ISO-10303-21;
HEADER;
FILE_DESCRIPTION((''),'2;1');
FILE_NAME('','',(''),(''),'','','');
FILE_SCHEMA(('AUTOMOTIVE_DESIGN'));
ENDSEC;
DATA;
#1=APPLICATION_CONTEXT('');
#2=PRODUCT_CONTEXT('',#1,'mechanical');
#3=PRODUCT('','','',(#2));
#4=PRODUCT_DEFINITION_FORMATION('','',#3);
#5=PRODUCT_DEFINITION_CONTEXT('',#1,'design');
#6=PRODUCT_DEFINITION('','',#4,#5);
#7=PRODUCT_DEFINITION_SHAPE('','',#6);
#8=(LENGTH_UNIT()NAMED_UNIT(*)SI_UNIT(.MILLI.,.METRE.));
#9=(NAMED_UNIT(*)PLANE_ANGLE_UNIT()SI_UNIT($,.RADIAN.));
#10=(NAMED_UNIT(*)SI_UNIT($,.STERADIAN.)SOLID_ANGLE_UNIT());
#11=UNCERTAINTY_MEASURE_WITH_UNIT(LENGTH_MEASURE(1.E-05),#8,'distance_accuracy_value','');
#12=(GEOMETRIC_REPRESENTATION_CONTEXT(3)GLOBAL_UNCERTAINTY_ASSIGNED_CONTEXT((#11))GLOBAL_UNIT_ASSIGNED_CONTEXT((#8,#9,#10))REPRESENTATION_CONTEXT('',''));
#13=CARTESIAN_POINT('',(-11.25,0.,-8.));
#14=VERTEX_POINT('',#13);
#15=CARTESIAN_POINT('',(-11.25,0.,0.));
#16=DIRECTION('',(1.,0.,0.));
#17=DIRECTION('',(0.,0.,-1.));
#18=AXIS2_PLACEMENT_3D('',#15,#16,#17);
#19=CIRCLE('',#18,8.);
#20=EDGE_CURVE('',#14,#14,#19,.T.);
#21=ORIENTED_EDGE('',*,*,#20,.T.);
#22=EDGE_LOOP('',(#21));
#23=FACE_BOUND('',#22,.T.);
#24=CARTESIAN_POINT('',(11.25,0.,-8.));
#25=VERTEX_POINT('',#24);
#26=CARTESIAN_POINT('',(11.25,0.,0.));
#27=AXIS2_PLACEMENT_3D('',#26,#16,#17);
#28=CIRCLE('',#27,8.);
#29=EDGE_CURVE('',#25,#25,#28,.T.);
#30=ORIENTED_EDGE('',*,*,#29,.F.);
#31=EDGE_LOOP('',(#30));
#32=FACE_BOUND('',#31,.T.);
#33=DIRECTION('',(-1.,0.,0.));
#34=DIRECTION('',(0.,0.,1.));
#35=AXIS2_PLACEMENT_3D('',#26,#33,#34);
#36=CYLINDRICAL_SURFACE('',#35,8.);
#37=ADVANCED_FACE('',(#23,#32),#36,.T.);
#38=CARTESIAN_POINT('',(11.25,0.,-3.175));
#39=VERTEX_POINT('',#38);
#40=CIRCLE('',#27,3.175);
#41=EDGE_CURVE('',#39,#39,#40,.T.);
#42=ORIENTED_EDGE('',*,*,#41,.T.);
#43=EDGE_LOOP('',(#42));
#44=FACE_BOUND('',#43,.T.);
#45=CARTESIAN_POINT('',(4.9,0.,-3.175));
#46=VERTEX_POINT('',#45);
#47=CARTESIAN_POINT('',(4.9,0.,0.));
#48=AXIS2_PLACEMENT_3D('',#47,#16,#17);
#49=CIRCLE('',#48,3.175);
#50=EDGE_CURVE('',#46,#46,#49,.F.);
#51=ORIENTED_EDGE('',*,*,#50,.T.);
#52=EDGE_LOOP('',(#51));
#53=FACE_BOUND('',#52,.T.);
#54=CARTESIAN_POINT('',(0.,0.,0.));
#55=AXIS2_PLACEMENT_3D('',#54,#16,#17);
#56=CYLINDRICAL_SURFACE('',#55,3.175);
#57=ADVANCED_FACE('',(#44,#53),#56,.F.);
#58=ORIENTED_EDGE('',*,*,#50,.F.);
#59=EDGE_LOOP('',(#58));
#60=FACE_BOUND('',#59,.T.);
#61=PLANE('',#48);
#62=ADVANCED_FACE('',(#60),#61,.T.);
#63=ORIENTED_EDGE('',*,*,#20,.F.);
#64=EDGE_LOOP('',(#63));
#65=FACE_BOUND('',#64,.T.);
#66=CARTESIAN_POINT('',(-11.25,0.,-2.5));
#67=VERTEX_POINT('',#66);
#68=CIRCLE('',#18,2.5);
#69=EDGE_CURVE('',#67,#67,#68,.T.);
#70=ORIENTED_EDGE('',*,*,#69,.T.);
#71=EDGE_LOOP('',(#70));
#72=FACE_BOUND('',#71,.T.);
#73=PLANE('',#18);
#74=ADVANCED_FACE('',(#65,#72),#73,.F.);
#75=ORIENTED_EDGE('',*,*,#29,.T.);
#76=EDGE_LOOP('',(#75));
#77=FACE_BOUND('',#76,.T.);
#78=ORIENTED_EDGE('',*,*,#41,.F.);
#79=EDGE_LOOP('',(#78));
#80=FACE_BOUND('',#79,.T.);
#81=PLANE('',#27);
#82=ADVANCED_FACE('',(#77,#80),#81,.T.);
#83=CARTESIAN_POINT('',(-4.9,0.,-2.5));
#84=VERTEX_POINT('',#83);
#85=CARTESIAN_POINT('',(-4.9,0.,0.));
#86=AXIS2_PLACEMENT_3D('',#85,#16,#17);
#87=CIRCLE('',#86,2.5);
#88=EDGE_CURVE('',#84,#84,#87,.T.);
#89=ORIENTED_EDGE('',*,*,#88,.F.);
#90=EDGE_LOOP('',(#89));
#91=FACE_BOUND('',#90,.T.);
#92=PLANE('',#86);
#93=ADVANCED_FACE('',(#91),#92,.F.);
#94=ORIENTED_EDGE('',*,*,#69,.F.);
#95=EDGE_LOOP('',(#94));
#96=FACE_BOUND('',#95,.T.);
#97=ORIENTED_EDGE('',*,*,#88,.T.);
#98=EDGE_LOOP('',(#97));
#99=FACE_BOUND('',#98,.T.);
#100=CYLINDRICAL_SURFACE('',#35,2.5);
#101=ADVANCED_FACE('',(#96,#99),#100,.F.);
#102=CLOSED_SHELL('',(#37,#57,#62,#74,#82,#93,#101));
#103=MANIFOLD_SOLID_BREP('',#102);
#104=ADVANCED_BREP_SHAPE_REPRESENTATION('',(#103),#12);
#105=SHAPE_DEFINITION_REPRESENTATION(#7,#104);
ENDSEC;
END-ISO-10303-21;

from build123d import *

# Parameters (mm, degrees)
SKETCH1_R                = 8
SKETCH1_R_2              = 2.5
BOSS_EXTRUDE1_DEPTH      = 11.25
SKETCH2_R                = 3.175
CUT_EXTRUDE1_DEPTH       = 11.25
SKETCH3_R                = 8
BOSS_EXTRUDE2_DEPTH      = 4.9
BOSS_EXTRUDE2_DEPTH_BACK = 4.9


with BuildPart() as part:
    # Sketch1 → Boss-Extrude1 (new body, symmetric)
    with BuildSketch(Plane(origin=(0, 0, 0), x_dir=(0, 0, -1), z_dir=(1, 0, 0))):
        Circle(SKETCH1_R)
        Circle(SKETCH1_R_2, mode=Mode.SUBTRACT)
    extrude(amount=BOSS_EXTRUDE1_DEPTH, both=True)

    # Sketch2 → Cut-Extrude1 (cut)
    with BuildSketch(Plane(origin=(11.25, 0, 0), x_dir=(0, 0, -1), z_dir=(1, 0, 0))):
        Circle(SKETCH2_R)
    extrude(amount=-CUT_EXTRUDE1_DEPTH, mode=Mode.SUBTRACT)

    # Sketch3 → Boss-Extrude2 (add, two sides)
    with BuildSketch(Plane(origin=(0, 0, 0), x_dir=(0, 0, -1), z_dir=(1, 0, 0))) as boss_extrude2_sk:
        Circle(SKETCH3_R)
    extrude(amount=BOSS_EXTRUDE2_DEPTH)
    extrude(boss_extrude2_sk.sketch, amount=-BOSS_EXTRUDE2_DEPTH_BACK)


solid = part.part
